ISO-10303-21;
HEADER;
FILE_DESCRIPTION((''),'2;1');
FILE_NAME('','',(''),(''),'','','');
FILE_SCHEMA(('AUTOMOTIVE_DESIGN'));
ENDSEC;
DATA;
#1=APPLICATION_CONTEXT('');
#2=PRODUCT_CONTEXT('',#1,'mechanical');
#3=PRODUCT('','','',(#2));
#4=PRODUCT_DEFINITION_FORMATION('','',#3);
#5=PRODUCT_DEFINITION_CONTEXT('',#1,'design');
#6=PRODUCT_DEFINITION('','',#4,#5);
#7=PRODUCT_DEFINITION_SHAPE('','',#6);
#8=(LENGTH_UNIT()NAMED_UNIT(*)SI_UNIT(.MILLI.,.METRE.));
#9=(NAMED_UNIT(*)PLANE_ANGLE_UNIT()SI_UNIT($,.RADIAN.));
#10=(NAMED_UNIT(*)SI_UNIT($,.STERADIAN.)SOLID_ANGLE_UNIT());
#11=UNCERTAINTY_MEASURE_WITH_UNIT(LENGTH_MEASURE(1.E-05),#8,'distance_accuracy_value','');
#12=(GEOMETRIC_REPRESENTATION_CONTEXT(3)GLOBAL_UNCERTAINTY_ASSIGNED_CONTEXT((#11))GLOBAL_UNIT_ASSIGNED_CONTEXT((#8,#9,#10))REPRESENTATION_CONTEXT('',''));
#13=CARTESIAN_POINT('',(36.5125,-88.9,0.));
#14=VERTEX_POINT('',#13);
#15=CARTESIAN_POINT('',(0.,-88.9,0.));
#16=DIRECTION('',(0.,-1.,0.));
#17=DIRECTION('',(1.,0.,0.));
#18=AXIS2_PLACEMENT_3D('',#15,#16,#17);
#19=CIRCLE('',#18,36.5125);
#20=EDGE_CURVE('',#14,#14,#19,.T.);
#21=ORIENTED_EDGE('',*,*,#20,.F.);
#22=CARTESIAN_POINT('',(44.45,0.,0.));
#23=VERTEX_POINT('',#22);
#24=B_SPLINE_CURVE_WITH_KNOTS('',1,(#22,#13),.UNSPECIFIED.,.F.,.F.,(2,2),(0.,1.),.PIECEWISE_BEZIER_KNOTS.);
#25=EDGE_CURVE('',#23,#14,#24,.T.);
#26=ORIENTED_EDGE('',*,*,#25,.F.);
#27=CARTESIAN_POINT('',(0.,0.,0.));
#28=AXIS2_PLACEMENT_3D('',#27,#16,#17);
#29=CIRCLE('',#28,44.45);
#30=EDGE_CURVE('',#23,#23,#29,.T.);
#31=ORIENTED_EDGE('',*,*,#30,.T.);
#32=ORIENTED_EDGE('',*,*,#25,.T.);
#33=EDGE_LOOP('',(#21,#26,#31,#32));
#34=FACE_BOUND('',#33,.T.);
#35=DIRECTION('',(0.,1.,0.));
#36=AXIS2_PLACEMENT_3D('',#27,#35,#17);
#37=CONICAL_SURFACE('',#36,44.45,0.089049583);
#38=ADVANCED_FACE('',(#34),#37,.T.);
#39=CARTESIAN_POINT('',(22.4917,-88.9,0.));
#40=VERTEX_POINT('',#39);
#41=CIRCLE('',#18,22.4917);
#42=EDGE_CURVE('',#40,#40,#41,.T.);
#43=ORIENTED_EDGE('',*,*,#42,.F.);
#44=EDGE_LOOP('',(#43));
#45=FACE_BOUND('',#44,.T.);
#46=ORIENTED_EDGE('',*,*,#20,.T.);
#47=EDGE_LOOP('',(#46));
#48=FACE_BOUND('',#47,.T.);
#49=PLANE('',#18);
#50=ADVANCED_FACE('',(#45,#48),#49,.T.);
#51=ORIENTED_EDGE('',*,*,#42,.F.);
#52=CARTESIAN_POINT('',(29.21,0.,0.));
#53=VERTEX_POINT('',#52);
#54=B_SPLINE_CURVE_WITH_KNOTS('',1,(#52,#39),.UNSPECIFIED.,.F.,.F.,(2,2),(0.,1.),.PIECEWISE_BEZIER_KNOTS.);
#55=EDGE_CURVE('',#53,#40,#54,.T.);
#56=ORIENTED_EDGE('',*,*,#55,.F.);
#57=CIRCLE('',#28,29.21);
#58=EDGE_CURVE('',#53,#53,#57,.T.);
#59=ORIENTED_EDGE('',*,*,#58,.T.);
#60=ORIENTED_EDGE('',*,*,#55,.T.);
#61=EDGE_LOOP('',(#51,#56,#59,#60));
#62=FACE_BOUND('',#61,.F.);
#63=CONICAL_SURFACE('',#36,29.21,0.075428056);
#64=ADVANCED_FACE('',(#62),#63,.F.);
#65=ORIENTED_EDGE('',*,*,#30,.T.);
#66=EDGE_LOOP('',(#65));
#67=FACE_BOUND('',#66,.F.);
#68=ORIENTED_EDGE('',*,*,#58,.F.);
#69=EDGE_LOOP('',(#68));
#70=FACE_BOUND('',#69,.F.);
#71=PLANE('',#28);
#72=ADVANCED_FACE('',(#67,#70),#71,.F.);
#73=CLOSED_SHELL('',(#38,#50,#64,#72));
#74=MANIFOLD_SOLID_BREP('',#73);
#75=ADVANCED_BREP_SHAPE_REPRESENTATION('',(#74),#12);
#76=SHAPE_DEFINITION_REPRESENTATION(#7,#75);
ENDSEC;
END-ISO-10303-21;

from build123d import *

# Parameters (mm, degrees)
F0_R = 44.45
F2_R = 36.5125
F3_R = 29.21
F4_R = 22.4917


with BuildPart() as f5:
    # F0 (on Front) → F5 section 0
    with BuildSketch(Plane.XZ):
        Circle(F0_R)
    # F2 (on offset) → F5 section 1
    with BuildSketch(Plane.XZ.offset(88.9)):
        Circle(F2_R)
    loft()

    # F3 (on Front) → F6 section 0
    with BuildSketch(Plane.XZ):
        Circle(F3_R)
    # F4 (on offset) → F6 section 1
    with BuildSketch(Plane.XZ.offset(88.9)):
        Circle(F4_R)
    loft(mode=Mode.SUBTRACT)


solid = f5.part
